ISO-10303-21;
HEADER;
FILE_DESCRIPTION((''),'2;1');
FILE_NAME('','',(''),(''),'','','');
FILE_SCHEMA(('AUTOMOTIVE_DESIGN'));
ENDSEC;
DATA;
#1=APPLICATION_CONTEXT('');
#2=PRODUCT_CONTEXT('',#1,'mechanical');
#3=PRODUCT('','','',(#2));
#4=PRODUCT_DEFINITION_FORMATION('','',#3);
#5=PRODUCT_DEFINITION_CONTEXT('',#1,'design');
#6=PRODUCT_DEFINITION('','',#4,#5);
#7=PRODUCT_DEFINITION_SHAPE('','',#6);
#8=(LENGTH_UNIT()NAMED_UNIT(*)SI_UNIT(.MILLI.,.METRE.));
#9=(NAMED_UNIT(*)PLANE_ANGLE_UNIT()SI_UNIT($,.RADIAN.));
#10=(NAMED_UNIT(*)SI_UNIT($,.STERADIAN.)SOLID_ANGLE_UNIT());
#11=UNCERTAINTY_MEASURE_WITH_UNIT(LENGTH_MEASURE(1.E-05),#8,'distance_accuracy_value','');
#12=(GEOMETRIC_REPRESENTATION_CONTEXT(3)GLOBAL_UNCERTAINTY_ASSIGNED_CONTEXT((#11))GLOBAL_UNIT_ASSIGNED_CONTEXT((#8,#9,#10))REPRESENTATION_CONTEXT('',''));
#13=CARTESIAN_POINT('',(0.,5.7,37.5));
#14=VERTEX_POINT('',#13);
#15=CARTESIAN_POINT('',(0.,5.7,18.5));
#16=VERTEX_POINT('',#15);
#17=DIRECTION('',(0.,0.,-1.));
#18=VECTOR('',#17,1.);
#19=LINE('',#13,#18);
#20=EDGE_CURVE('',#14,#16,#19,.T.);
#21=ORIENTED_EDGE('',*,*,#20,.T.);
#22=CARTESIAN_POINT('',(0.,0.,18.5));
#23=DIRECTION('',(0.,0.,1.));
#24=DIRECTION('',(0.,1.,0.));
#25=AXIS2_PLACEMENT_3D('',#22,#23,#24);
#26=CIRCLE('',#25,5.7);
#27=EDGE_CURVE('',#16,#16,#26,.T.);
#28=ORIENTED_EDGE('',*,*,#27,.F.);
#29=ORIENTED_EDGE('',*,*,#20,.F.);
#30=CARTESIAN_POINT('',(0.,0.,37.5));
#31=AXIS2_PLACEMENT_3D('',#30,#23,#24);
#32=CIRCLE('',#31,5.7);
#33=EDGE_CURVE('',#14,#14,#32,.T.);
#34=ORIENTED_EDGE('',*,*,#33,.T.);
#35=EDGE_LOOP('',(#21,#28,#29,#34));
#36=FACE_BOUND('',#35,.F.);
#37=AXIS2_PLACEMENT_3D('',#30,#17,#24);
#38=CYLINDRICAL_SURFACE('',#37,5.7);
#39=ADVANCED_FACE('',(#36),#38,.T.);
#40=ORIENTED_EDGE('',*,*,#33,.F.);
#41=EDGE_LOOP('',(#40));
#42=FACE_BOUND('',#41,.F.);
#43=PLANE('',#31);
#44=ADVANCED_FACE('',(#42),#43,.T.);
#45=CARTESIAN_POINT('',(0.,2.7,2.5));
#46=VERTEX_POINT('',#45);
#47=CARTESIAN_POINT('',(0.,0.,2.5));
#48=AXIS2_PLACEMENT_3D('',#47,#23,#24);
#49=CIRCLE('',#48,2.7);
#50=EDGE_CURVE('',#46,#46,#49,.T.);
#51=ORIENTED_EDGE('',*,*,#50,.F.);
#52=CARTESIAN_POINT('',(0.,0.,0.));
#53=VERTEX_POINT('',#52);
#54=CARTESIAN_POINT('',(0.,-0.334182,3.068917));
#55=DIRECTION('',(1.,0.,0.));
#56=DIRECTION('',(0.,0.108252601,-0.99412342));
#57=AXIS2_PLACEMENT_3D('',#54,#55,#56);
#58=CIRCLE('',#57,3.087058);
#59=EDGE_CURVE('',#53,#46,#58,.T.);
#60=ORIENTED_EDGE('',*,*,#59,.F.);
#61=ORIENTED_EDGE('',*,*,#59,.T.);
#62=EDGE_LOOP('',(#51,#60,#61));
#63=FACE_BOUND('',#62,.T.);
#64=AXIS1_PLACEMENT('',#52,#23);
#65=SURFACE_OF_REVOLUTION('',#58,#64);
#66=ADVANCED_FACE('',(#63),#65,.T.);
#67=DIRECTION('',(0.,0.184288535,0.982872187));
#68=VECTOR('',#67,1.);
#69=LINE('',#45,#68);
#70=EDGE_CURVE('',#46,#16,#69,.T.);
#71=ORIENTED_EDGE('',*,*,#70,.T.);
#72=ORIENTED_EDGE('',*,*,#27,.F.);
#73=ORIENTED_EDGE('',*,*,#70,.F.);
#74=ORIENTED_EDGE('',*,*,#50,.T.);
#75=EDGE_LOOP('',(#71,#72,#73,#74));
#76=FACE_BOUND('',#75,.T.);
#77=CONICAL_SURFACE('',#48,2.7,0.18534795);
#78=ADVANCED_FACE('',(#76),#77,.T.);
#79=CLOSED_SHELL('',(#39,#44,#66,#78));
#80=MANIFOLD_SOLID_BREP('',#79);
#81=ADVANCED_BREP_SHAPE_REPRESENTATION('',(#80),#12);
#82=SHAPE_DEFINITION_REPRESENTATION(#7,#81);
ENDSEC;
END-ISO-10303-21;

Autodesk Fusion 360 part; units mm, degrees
sketch "Sketch1" plane through (0, 0, 0) normal (1, 0, 0) x (0, 1, 0)
  line L0 (0, 0) -> (0, 37.5)
  line L1 (0, 37.5) -> (5.7, 37.5)
  line L2 (5.7, 37.5) -> (5.7, 18.5)
  line L3 (0, 0) -> (0, 2.5)
  line L4 (2.7, 2.5) -> (5.7, 18.5)
  arc A0 (0, 0) -> (2.7, 2.5) centre (-0.3342, 3.0689) ccw
  dimension "d1" = 37.5
  dimension "d2" = 5.7
  dimension "d3" = 19
  dimension "d4" = 2.5
  dimension "d5" = 2.7
revolve "Revolve1" add sketch "Sketch1" angle 360 about axis through (0, 0, 0) along (0, 0, 1)
